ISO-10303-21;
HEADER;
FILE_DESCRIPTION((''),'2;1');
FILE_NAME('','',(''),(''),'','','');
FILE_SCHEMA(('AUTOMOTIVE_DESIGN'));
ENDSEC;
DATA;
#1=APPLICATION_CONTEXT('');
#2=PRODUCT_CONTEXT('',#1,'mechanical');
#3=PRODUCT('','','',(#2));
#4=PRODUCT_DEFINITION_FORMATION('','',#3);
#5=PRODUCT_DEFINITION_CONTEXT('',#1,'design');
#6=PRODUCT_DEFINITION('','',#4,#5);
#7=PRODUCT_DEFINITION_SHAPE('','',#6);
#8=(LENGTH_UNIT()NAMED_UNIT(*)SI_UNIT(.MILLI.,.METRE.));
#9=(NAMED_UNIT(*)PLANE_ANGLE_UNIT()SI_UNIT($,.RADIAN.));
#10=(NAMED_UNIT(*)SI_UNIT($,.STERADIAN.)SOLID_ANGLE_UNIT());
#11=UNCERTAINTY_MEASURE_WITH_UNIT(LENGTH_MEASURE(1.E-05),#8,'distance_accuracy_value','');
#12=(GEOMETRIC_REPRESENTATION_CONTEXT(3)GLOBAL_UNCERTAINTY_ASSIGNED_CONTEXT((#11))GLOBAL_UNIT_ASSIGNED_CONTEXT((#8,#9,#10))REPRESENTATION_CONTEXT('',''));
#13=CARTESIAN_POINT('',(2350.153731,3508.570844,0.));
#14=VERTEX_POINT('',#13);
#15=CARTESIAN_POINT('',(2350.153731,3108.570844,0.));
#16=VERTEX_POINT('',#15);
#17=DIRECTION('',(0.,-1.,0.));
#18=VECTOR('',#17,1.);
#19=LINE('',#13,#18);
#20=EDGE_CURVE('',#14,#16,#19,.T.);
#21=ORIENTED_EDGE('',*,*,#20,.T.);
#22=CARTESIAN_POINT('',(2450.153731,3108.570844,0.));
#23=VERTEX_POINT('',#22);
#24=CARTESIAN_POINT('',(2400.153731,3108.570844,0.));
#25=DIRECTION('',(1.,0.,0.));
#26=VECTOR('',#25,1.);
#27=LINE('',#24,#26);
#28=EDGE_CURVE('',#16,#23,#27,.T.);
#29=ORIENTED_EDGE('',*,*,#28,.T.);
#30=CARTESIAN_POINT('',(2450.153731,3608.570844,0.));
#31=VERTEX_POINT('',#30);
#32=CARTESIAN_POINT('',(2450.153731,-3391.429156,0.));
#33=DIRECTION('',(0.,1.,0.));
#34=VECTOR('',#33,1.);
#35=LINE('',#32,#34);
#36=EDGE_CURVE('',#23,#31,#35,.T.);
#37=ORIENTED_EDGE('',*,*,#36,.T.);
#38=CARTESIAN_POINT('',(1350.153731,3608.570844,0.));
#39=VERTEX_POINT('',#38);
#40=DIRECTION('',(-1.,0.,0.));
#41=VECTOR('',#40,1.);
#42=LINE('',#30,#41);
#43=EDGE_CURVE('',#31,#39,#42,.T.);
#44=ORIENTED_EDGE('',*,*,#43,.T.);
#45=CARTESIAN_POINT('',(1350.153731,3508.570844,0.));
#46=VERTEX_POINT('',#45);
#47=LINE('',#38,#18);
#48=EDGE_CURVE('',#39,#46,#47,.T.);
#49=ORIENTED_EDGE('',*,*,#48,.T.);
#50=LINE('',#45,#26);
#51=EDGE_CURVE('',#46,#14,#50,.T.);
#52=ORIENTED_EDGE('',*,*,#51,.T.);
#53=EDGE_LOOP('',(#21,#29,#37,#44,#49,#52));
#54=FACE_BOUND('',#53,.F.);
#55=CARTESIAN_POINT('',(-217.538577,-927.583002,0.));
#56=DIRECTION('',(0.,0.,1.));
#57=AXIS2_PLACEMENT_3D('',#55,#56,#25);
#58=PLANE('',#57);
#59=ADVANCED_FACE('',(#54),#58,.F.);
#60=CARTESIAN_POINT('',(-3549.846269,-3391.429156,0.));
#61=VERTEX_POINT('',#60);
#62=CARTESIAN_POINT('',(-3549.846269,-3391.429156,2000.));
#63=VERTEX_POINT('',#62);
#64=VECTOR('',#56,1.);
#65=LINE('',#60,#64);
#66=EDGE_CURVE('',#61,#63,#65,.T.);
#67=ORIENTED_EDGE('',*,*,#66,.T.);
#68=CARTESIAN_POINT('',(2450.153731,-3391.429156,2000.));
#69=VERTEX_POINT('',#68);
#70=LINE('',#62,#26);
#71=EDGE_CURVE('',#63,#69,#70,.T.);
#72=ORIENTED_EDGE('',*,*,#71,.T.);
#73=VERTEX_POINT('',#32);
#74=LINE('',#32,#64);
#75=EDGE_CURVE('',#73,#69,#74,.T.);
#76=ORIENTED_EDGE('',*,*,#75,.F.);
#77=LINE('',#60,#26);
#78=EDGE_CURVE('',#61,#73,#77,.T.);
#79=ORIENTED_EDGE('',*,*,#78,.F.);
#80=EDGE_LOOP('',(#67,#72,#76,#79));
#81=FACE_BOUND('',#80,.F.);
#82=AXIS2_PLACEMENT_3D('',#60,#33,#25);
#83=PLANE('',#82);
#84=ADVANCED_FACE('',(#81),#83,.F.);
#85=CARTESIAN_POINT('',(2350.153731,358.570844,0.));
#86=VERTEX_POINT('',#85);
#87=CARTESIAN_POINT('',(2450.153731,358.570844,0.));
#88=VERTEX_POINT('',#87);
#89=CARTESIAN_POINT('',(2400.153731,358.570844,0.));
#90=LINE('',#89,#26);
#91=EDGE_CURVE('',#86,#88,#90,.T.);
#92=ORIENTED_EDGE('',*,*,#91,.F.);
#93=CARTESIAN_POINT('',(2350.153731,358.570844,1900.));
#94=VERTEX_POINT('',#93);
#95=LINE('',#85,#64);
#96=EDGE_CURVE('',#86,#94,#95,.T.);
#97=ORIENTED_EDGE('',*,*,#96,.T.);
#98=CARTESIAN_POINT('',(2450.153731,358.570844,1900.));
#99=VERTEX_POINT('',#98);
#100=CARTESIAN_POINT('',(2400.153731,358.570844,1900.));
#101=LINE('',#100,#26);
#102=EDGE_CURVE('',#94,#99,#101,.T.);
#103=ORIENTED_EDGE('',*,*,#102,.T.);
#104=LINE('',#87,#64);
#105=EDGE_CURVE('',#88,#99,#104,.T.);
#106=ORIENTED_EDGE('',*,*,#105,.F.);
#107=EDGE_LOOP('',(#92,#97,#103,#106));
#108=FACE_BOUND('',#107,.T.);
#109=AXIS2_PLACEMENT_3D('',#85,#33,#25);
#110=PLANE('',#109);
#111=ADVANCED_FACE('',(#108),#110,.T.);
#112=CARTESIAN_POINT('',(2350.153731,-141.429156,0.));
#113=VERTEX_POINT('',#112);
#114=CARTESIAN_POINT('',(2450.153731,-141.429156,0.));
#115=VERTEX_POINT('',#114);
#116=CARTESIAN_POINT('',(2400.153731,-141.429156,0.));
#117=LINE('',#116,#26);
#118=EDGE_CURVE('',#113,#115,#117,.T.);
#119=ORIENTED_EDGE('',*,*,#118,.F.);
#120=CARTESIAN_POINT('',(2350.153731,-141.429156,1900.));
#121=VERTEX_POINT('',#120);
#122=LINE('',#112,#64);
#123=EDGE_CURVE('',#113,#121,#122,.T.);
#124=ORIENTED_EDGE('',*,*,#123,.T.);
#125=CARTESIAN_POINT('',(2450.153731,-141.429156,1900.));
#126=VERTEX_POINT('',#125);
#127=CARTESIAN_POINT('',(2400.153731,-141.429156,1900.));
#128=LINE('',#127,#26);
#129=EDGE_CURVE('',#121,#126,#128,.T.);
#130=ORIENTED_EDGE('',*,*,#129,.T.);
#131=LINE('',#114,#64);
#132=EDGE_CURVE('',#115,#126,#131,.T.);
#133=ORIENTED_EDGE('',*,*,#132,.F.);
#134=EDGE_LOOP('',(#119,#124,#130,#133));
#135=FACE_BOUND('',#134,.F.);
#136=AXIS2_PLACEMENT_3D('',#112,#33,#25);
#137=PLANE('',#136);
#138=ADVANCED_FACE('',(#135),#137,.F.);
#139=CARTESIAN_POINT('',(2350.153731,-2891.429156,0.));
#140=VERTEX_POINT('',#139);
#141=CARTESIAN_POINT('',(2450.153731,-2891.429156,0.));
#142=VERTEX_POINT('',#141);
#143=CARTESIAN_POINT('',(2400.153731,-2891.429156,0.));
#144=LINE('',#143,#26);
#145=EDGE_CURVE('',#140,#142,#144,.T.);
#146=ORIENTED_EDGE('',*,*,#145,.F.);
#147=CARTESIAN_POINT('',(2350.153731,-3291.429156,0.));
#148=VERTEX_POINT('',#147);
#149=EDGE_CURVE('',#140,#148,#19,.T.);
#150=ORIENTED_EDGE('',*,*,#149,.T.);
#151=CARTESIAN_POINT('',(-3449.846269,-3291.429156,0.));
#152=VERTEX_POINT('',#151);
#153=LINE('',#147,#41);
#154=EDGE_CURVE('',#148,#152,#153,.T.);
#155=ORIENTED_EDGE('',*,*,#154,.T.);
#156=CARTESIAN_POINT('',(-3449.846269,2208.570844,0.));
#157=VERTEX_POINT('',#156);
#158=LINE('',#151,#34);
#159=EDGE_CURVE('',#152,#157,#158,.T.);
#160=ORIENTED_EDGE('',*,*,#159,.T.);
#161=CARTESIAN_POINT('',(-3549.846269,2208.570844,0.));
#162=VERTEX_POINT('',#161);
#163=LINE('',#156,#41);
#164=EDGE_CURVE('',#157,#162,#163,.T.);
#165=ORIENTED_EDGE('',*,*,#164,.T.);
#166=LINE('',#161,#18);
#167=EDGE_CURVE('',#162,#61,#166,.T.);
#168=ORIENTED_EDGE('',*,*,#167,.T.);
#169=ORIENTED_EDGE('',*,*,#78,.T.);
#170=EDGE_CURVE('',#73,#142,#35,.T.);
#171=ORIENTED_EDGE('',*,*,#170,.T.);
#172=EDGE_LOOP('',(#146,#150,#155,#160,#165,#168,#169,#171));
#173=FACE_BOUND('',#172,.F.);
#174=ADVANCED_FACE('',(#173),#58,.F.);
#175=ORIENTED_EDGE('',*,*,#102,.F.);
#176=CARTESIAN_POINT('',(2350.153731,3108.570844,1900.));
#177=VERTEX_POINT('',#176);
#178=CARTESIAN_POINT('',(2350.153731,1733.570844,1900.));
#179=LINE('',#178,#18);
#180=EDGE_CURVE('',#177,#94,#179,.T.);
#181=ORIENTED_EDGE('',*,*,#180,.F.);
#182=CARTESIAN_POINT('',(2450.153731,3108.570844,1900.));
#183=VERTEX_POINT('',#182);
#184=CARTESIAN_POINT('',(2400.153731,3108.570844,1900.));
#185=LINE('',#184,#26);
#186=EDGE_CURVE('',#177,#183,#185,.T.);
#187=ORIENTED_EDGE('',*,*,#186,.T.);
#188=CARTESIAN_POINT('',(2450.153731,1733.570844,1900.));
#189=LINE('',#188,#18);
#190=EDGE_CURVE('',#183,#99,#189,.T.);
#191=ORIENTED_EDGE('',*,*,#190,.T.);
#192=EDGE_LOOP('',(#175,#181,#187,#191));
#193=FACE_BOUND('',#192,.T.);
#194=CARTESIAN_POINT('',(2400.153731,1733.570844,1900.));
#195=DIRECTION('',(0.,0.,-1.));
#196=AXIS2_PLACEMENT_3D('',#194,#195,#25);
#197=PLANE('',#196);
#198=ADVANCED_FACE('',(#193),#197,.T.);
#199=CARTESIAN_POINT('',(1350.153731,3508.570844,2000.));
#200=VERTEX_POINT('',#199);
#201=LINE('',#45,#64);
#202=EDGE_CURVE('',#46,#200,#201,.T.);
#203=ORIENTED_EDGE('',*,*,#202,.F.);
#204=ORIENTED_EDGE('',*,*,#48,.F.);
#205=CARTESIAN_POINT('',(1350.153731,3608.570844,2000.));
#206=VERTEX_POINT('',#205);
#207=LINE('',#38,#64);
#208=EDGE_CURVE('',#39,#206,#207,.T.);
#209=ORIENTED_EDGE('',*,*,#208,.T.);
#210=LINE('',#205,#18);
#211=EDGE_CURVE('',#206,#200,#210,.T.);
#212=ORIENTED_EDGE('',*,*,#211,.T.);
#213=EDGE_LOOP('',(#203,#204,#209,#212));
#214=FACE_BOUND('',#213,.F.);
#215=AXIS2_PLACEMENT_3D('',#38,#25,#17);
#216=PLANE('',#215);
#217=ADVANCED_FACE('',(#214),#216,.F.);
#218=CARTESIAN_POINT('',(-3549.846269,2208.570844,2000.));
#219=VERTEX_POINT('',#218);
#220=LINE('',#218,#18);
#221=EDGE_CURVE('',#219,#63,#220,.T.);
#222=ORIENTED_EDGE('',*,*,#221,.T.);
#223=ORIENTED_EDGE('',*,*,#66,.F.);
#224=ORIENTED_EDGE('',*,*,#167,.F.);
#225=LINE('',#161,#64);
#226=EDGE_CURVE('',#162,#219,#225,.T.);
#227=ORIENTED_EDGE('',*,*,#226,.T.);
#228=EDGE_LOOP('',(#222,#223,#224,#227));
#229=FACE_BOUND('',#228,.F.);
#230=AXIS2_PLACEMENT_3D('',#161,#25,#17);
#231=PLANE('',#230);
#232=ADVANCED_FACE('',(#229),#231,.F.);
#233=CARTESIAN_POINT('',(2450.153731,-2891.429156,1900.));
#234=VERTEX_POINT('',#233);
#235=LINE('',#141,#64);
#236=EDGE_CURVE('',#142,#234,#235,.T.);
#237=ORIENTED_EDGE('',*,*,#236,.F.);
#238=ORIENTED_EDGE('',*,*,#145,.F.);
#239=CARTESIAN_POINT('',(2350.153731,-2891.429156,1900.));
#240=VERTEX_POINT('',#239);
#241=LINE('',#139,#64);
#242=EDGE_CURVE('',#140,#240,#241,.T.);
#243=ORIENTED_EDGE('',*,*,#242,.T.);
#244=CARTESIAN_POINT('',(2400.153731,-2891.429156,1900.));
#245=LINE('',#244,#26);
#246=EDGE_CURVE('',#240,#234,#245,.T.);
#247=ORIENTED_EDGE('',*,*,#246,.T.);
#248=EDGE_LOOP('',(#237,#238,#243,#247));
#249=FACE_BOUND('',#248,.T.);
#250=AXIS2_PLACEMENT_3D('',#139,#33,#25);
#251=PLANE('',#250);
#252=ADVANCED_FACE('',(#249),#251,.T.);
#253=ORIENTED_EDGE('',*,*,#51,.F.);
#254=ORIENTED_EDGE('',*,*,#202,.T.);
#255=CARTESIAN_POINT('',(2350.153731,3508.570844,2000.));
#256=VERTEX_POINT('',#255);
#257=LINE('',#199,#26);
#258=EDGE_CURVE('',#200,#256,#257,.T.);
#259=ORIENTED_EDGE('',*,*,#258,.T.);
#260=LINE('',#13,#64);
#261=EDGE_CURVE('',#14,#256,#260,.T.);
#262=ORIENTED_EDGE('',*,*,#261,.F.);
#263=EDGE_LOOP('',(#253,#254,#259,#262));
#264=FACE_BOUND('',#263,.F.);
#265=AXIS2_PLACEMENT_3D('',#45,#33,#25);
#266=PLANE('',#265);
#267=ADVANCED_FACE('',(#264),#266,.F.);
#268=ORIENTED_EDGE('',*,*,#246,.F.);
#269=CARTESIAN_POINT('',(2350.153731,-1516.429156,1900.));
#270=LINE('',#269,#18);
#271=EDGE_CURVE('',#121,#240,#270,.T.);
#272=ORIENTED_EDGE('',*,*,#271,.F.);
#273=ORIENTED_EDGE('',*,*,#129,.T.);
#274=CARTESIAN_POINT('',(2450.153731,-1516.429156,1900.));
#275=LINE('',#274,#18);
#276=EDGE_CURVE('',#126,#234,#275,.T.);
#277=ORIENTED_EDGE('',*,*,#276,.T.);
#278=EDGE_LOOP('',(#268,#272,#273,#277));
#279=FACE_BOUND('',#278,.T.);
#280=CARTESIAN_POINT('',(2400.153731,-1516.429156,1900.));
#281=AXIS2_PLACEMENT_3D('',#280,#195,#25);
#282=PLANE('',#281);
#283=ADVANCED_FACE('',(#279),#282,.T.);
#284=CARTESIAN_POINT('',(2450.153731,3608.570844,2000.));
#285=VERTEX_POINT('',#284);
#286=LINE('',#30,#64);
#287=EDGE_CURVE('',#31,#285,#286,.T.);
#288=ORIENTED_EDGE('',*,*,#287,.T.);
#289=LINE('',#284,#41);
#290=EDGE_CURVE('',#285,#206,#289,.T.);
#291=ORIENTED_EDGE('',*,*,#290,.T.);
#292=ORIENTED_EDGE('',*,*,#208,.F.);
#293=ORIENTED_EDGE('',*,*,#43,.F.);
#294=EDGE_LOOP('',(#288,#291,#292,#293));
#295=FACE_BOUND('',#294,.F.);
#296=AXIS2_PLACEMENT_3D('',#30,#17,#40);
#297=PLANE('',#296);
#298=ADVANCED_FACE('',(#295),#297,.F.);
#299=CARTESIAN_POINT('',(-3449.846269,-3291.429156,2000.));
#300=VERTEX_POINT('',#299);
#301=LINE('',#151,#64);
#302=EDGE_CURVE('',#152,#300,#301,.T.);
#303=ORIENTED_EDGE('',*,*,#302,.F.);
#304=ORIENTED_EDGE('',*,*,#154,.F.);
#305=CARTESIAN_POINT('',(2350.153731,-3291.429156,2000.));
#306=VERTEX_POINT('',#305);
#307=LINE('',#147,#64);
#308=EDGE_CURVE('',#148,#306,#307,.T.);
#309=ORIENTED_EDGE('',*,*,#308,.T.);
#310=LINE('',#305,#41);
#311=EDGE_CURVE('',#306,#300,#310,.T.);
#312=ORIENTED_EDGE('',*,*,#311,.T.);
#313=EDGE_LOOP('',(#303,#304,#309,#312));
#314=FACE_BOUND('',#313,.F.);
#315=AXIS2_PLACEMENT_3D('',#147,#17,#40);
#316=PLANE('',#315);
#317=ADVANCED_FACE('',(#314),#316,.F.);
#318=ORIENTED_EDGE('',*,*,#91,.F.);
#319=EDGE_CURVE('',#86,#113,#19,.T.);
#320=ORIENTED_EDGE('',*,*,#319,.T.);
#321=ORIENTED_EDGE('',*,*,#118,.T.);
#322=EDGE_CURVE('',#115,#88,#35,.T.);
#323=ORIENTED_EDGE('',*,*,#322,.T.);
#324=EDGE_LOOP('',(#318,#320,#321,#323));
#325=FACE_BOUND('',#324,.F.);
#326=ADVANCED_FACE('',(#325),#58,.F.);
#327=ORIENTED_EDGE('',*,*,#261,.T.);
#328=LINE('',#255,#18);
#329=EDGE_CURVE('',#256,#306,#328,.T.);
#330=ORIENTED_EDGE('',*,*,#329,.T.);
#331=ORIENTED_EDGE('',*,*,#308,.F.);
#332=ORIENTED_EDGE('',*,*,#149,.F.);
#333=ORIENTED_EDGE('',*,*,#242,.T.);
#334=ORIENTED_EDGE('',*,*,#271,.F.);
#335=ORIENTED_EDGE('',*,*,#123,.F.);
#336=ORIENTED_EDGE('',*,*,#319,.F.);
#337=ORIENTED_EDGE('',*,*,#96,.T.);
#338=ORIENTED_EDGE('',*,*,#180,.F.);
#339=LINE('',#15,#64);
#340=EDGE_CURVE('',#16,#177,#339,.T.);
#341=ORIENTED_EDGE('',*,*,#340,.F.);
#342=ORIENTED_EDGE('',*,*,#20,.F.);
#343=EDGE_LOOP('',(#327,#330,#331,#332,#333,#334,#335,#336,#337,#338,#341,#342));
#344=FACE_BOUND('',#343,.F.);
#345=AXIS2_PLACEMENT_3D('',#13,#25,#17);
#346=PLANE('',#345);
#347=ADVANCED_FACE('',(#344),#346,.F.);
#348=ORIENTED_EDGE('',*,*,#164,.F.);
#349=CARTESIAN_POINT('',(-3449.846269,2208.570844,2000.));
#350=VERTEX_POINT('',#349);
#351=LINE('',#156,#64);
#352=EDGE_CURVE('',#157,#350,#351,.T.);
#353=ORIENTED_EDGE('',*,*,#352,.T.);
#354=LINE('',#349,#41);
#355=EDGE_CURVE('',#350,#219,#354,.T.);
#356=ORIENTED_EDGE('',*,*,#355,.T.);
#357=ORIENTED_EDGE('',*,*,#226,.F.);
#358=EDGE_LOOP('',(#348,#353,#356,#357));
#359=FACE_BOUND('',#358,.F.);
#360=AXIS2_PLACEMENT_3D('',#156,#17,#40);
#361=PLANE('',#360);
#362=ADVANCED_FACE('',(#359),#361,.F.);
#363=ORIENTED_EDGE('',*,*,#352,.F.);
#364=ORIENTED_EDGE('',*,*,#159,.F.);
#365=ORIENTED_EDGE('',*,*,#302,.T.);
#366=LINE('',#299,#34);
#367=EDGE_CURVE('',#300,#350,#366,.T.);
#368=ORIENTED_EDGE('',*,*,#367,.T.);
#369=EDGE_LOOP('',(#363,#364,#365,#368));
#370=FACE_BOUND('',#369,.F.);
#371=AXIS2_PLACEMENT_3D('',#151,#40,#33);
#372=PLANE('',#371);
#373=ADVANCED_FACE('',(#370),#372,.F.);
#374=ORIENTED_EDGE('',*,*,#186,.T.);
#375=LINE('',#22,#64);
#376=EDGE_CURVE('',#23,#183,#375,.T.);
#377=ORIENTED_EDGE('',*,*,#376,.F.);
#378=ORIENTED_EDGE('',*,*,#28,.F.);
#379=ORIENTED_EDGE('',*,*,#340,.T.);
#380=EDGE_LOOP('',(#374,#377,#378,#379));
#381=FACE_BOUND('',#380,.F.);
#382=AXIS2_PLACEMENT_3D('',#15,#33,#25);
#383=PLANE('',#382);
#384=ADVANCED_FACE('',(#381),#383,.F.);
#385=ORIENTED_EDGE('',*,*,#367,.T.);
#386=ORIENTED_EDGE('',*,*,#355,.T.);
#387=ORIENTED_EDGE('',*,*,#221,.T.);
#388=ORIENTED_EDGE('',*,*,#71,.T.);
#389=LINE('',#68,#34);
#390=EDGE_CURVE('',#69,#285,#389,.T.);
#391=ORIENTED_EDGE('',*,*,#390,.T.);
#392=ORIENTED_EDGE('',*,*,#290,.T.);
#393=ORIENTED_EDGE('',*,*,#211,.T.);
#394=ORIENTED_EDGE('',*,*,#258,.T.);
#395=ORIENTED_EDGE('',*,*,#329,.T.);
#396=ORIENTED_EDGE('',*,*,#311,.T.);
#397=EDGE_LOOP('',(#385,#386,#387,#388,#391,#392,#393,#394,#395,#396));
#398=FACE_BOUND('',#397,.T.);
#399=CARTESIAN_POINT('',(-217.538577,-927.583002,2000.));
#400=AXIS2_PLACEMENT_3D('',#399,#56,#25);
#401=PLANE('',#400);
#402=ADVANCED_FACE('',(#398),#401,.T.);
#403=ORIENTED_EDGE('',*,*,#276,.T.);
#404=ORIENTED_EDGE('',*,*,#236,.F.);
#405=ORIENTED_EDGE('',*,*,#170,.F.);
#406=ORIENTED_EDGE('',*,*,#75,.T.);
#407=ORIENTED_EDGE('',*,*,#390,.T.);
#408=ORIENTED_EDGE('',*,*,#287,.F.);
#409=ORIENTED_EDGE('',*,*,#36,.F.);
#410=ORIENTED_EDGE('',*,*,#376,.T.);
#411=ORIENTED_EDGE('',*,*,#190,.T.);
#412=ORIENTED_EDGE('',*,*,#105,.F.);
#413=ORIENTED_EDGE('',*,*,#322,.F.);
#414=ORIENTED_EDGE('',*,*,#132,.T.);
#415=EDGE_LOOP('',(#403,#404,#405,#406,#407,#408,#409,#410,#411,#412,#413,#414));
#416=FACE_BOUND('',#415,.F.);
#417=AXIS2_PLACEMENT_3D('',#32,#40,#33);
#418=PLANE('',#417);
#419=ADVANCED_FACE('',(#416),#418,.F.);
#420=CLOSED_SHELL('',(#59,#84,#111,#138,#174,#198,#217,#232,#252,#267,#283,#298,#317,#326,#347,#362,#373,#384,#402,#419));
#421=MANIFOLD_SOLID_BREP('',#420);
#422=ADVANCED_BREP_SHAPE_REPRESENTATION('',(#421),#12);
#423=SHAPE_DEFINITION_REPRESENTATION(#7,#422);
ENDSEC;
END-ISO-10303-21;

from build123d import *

# Parameters (mm, degrees)
F1_DEPTH = 2000
F2_W     = 100
F2_H     = 2750
F3_DEPTH = 1900


with BuildPart() as f1:
    # F0 (on Top) → F1 (new body)
    with BuildSketch(Plane.XY):
        Polygon((2450.153731, 3608.570844), (1350.153731, 3608.570844), (1350.153731, 3508.570844), (2350.153731, 3508.570844), (2350.153731, -3291.429156), (-3449.846269, -3291.429156), (-3449.846269, 2208.570844), (-3549.846269, 2208.570844), (-3549.846269, -3391.429156), (2450.153731, -3391.429156), align=None)
    extrude(amount=F1_DEPTH)

    # F2 (on face) → F3 (cut)
    with BuildSketch(Plane(origin=(0, 0, 0), x_dir=(1, 0, 0), z_dir=(0, 0, -1))):
        with Locations((2400.153731, -1733.570844)):
            Rectangle(F2_W, F2_H)
        with Locations((2400.153731, 1516.429156)):
            Rectangle(F2_W, F2_H)
    extrude(amount=-F3_DEPTH, mode=Mode.SUBTRACT)


solid = f1.part
